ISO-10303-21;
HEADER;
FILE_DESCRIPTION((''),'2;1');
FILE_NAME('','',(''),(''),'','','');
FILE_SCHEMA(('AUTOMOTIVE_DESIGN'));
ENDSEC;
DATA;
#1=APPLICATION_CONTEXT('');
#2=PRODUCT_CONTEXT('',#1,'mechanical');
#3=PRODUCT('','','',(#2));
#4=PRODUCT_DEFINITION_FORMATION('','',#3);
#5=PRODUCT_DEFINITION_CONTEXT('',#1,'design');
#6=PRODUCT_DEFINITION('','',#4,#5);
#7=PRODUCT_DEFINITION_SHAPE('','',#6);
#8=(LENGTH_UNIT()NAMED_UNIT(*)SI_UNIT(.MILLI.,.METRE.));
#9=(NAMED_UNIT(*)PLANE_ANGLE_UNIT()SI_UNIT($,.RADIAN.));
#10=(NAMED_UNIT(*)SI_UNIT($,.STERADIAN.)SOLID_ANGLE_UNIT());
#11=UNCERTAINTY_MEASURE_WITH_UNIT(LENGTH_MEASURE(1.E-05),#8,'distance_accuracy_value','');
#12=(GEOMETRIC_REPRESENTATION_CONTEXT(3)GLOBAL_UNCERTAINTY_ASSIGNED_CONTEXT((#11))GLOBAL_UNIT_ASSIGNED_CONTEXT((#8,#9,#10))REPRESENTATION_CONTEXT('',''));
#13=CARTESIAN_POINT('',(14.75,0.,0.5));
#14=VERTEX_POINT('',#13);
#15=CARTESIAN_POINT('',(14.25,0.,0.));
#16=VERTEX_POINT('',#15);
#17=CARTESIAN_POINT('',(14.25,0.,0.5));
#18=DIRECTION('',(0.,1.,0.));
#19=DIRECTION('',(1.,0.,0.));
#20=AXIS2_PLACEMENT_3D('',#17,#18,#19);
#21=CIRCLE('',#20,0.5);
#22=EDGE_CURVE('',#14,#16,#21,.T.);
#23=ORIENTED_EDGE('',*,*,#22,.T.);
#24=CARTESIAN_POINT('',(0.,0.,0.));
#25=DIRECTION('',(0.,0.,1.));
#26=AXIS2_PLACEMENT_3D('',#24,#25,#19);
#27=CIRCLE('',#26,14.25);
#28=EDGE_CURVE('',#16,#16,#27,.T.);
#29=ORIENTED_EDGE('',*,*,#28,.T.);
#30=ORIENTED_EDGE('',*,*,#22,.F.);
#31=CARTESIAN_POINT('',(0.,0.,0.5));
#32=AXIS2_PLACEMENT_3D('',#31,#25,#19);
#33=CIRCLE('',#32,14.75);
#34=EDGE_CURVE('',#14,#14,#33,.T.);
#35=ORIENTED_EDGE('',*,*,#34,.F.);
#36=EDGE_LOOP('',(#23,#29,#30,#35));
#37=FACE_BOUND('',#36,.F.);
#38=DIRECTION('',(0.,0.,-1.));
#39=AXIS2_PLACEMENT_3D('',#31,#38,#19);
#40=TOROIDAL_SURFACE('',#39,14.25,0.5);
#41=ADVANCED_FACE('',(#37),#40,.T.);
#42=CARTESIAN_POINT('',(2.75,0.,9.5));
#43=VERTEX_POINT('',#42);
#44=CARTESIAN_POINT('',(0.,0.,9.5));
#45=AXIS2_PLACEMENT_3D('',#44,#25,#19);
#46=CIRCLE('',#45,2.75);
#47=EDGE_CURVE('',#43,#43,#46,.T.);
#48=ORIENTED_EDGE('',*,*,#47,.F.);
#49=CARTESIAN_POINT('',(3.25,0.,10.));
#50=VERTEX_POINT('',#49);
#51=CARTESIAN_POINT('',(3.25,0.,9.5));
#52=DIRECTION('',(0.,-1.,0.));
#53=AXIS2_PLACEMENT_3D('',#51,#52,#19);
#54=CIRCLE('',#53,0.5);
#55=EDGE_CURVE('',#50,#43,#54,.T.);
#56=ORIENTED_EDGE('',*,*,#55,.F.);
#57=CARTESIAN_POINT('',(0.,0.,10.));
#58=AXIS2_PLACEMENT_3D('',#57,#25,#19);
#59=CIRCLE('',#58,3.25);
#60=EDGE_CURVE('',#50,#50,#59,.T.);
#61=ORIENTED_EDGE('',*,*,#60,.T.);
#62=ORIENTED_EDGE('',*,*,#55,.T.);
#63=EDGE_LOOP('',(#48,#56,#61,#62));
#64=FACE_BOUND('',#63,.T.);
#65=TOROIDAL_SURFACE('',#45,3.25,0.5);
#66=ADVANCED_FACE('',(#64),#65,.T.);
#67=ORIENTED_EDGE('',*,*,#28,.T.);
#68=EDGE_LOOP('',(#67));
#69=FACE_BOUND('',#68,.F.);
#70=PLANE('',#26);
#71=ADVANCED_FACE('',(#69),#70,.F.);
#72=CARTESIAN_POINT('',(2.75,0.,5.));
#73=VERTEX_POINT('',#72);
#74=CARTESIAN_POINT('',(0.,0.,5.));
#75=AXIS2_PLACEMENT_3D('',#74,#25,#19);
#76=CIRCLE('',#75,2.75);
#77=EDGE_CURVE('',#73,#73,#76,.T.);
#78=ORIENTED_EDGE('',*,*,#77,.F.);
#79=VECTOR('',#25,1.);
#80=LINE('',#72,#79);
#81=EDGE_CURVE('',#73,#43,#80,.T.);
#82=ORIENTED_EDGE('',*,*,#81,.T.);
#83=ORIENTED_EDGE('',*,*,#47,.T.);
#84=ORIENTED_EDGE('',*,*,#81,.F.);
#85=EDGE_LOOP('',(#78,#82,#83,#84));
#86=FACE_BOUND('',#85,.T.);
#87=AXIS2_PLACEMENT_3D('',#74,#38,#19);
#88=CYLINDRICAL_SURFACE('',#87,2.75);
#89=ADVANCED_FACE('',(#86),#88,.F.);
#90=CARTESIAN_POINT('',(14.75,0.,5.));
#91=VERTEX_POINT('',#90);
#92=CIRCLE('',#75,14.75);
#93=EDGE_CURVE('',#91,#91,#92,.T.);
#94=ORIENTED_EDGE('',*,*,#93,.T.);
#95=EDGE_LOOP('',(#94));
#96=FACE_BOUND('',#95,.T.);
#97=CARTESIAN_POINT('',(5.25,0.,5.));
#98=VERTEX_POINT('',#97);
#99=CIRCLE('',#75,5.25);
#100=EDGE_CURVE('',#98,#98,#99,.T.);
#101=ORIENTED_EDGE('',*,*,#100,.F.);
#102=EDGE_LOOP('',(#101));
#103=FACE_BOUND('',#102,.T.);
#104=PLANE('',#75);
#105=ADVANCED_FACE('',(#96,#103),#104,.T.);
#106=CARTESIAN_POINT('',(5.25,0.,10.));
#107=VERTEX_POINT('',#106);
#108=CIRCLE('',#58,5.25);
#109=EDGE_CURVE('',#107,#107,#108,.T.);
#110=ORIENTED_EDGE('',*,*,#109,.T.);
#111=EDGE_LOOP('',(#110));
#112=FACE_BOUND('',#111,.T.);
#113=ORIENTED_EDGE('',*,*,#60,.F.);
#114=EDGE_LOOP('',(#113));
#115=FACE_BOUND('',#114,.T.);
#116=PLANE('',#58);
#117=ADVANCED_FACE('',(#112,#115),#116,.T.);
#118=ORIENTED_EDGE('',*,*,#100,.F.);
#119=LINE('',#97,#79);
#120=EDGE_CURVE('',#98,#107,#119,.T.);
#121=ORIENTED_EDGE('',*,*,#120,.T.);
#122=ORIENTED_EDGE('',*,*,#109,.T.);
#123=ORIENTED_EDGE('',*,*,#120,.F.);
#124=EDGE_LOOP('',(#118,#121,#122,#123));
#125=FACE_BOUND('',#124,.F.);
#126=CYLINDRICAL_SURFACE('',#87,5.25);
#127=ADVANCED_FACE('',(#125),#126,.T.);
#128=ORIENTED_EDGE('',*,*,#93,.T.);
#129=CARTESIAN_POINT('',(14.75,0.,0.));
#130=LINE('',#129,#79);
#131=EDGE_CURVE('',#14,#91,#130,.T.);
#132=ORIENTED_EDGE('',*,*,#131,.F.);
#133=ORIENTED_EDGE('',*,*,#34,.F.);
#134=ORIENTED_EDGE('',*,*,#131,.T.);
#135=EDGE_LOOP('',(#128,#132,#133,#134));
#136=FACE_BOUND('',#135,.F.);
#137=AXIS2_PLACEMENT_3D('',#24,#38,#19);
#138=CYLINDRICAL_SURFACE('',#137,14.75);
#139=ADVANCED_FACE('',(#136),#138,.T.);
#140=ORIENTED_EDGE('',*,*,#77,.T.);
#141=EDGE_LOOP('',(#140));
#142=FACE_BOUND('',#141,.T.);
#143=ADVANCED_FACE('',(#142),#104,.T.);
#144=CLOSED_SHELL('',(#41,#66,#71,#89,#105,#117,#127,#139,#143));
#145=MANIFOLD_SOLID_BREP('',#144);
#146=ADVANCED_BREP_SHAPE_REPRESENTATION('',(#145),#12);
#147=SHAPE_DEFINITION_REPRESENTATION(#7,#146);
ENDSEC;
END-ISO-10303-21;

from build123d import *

# Parameters (mm, degrees)
F0_R     = 14.75
F1_DEPTH = 5
F2_R     = 5.25
F2_R_2   = 2.75
F3_DEPTH = 5
F4_R     = 0.5


with BuildPart() as f1:
    # F0 (on Top) → F1 (new body)
    with BuildSketch(Plane.XY):
        Circle(F0_R)
    extrude(amount=F1_DEPTH)

    # F2 (on face) → F3 (join)
    with BuildSketch(Plane.XY.offset(5)):
        Circle(F2_R)
        Circle(F2_R_2, mode=Mode.SUBTRACT)
    extrude(amount=F3_DEPTH)

    # F4
    f4_edges = [f1.edges().sort_by_distance(p)[0] for p in [
        (-14.75, 0, 0),
        (-2.75, 0, 10),
    ]]
    fillet(f4_edges, radius=F4_R)


solid = f1.part
